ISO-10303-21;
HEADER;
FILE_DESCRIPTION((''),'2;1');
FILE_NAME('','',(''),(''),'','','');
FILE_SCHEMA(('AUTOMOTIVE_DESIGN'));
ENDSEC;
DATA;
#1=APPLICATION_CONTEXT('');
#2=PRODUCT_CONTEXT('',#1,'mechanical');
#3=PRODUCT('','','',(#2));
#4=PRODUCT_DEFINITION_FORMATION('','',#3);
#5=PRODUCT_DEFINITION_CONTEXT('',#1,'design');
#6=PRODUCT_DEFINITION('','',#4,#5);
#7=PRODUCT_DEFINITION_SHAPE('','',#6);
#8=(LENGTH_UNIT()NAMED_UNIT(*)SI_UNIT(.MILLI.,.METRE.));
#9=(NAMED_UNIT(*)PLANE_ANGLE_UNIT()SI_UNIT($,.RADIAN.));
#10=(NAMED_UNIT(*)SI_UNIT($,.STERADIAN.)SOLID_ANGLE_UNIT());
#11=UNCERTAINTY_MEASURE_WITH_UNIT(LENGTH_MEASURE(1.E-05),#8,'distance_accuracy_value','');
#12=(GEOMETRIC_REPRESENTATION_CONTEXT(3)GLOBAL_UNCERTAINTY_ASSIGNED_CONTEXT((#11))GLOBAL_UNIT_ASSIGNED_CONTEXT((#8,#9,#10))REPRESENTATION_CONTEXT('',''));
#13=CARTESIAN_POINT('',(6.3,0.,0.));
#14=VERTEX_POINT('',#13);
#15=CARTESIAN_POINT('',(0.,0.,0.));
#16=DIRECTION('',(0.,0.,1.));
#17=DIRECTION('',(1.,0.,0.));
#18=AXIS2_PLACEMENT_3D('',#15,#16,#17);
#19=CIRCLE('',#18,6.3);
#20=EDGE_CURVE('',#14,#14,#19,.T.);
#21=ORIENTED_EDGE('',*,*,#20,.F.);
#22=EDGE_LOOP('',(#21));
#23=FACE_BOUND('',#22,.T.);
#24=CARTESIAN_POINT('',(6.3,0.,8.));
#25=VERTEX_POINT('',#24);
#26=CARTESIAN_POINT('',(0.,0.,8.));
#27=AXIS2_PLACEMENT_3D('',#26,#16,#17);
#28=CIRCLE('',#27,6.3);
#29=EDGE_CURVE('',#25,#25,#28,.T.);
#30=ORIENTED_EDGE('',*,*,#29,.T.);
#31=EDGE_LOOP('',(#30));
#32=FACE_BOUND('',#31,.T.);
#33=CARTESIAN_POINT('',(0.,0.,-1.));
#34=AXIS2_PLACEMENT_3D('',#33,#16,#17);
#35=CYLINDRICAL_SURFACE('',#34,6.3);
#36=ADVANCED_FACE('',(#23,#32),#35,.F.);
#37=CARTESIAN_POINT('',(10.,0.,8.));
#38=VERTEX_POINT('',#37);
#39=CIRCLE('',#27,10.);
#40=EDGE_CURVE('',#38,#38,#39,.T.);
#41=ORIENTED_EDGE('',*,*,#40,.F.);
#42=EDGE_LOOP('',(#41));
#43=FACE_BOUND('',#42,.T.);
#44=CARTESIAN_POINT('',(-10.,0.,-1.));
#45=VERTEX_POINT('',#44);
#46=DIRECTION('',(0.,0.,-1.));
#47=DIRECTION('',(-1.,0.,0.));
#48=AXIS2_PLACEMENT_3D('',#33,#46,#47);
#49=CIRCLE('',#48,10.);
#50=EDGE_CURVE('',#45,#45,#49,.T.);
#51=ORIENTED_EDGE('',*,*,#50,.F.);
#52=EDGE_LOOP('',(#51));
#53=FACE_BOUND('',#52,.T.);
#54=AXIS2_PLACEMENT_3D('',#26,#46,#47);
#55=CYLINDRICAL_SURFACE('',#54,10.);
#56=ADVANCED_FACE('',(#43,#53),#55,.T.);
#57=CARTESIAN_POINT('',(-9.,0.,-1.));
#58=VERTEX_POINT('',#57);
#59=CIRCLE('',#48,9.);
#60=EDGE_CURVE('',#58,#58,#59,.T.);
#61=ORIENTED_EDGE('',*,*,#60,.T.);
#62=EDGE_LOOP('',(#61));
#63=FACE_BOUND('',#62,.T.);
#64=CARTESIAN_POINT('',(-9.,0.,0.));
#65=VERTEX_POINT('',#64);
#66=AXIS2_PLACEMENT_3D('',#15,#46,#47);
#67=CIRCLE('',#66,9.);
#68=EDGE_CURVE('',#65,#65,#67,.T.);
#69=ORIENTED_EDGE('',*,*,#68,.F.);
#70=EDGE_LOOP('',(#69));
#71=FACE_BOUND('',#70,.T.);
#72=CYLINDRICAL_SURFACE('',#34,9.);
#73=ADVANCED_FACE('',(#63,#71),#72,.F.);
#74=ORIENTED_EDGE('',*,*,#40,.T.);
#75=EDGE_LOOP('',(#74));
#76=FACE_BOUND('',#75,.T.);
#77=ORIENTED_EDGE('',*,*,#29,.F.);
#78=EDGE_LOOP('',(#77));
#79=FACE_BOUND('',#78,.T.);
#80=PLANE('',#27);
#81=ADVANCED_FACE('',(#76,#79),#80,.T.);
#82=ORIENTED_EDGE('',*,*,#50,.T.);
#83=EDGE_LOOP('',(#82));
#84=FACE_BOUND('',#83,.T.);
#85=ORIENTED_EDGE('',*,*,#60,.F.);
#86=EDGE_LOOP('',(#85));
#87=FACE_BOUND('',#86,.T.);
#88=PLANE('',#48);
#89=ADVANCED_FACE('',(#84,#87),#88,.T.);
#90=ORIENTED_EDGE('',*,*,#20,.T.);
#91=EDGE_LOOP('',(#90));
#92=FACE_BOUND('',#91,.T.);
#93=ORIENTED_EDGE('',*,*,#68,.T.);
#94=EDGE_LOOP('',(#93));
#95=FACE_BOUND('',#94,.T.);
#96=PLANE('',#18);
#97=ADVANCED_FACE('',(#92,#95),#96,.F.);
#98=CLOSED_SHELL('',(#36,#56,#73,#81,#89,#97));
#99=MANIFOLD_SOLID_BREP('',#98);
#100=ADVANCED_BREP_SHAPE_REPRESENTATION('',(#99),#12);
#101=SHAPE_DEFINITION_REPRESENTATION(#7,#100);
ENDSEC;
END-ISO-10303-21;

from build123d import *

# Parameters (mm, degrees)
SKETCH1_R          = 10
EXTRUDE1_DEPTH     = 8
EXTRUDE2_START     = 1
SKETCH3_R          = 10
SKETCH3_R_2        = 9
EXTRUDE2_DEPTH     = 1
SKETCH2_R          = 6.3
CUT_EXTRUDE1_DEPTH = 17.763054614


with BuildPart() as part:
    # Sketch1 → Extrude1 (new body)
    with BuildSketch(Plane.XY):
        Circle(SKETCH1_R)
    extrude(amount=EXTRUDE1_DEPTH)

    # Sketch3 → Extrude2 (add)
    with BuildSketch(Plane(origin=(0, 0, 0), x_dir=(-1, 0, 0), z_dir=(0, 0, -1)).offset(EXTRUDE2_START)):
        Circle(SKETCH3_R)
        Circle(SKETCH3_R_2, mode=Mode.SUBTRACT)
    extrude(amount=-EXTRUDE2_DEPTH)

    # Sketch2 → Cut-Extrude1 (cut, through all)
    with BuildSketch(Plane.XY.offset(8)):
        Circle(SKETCH2_R)
    extrude(amount=-CUT_EXTRUDE1_DEPTH, mode=Mode.SUBTRACT)


solid = part.part
